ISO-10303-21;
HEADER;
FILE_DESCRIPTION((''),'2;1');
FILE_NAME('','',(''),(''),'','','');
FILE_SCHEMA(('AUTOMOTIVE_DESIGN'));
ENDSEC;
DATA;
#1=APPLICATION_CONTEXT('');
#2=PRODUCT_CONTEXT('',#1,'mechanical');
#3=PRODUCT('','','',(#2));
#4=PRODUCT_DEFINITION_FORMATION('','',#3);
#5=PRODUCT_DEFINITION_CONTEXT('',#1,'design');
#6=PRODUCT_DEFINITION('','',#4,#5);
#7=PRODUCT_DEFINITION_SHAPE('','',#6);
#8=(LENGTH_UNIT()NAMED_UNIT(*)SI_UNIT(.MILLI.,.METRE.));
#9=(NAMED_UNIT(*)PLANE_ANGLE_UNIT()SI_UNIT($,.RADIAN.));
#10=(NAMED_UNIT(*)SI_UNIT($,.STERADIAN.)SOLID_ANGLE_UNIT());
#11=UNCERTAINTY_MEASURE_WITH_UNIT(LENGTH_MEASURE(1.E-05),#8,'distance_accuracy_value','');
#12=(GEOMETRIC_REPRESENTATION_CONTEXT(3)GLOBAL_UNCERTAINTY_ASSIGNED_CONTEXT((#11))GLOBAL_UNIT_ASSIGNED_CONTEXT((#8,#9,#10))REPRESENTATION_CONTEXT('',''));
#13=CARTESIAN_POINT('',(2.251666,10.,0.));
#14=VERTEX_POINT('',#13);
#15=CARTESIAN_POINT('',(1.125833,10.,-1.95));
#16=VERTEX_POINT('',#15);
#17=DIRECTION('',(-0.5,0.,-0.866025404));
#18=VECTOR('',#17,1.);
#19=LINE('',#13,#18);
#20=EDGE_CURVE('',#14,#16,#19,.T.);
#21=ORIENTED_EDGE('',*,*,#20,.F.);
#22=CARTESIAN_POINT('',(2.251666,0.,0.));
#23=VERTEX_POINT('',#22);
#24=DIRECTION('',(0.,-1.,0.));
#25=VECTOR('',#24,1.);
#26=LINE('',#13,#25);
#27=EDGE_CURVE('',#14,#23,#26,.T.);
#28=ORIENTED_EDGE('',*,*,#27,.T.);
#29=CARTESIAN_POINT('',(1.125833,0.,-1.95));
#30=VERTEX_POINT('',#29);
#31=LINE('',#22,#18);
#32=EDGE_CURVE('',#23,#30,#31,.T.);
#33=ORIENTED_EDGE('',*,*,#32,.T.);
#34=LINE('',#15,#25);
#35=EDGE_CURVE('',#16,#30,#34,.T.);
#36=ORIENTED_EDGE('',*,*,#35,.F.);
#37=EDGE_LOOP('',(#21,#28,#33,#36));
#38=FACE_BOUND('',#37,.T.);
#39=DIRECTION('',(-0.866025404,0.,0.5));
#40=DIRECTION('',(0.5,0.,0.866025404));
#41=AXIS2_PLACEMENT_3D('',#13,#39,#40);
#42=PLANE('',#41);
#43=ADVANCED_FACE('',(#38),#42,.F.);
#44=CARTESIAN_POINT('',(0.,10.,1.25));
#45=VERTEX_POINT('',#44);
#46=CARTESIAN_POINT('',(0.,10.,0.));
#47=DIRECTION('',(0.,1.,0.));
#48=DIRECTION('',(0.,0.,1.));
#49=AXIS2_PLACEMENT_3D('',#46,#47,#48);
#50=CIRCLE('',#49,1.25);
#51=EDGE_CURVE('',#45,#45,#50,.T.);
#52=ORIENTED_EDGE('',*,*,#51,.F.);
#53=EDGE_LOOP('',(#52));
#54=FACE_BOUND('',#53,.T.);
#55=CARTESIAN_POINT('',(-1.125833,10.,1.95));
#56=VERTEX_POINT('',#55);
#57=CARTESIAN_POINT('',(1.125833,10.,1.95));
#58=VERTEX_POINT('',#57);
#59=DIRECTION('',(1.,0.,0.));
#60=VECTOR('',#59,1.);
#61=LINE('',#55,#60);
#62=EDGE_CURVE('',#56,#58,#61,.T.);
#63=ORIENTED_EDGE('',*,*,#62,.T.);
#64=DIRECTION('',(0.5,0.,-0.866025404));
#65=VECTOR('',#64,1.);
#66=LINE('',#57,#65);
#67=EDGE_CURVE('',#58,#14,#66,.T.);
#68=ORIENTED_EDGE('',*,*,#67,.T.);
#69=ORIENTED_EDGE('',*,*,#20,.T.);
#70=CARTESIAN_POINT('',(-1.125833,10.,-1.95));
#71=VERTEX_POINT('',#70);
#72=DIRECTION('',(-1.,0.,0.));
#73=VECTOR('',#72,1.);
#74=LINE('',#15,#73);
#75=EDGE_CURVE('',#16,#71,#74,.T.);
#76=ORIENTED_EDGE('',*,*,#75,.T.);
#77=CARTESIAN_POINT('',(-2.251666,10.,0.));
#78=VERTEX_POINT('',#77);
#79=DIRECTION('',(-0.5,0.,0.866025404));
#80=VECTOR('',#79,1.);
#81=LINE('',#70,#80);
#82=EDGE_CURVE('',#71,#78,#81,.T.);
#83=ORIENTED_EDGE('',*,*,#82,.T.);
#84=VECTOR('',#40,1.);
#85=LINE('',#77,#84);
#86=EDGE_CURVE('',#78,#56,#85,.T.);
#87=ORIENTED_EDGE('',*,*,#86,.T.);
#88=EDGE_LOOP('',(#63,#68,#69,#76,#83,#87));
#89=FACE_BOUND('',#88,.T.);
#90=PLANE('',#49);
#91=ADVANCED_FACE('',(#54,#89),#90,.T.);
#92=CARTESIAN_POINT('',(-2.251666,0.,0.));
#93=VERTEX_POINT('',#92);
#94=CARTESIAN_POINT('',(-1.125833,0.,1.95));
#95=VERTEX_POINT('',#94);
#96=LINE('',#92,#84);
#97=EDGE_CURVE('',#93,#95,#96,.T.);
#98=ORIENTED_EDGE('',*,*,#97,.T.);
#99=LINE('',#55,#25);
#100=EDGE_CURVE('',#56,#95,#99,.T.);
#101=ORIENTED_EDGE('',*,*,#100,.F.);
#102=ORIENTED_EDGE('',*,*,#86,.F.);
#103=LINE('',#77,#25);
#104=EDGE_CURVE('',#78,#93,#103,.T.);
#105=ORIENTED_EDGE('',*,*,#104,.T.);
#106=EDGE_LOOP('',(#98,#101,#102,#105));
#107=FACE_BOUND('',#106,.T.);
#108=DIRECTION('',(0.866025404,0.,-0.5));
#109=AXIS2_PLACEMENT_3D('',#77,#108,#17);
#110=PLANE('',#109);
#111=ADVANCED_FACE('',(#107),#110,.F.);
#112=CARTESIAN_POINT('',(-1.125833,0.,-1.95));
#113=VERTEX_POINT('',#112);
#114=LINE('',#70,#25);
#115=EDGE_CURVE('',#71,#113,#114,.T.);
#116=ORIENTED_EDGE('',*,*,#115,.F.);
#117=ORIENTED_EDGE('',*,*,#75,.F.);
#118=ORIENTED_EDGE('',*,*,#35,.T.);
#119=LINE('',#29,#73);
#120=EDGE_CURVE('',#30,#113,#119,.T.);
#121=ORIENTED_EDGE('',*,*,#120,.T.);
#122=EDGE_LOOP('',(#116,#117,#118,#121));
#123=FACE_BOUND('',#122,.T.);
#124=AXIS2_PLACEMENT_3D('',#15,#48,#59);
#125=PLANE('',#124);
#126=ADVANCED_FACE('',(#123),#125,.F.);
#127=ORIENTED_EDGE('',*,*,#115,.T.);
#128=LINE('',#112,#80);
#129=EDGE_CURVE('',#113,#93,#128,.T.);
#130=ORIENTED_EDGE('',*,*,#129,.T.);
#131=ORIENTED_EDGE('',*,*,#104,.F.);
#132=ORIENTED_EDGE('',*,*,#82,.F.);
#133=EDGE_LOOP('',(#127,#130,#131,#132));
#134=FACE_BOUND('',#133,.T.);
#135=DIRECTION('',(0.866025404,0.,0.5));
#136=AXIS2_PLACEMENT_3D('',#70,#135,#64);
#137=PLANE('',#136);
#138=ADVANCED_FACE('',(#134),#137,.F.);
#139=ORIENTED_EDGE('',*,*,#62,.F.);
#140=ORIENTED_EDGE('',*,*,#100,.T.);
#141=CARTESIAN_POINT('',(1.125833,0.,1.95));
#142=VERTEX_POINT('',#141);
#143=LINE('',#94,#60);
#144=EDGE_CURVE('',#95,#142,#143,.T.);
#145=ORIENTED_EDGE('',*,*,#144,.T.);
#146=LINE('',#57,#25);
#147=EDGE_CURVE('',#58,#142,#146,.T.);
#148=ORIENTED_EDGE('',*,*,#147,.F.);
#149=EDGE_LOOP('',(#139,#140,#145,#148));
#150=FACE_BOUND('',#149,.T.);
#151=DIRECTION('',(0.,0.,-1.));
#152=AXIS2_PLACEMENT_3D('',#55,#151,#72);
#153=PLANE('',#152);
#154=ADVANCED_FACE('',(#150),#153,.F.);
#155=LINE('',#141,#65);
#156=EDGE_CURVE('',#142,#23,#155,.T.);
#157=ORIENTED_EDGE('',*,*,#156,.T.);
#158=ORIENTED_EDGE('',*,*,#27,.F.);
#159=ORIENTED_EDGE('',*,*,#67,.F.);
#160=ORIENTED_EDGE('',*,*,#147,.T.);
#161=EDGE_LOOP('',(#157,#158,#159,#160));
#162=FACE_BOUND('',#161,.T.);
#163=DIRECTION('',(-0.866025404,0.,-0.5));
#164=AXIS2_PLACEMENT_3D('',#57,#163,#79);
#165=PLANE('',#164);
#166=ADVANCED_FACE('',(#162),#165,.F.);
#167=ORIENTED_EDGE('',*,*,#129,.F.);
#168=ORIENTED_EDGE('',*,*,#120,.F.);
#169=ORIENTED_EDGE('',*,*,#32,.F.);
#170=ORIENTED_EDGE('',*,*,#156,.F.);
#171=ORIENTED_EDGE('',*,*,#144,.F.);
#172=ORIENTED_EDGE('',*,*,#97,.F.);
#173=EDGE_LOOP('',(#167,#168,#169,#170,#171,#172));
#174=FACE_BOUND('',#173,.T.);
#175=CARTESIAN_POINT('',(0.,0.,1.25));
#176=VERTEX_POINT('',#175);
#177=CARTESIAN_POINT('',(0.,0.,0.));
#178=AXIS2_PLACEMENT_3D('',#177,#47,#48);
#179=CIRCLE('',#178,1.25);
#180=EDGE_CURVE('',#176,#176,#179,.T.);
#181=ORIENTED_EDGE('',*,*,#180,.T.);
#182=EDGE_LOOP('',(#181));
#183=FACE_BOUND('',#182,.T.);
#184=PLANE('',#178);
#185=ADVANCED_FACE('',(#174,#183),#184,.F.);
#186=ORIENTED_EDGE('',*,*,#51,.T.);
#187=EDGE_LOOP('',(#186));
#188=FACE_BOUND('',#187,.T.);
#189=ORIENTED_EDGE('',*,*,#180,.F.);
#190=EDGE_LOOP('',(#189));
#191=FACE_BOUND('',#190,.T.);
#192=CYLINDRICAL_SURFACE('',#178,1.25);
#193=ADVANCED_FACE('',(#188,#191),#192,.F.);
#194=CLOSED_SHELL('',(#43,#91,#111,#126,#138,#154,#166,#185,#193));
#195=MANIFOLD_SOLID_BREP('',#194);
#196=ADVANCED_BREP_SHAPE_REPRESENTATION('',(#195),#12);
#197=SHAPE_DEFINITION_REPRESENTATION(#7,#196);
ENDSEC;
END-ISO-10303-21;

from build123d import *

# Parameters (mm, degrees)
EXTRUDE_1_DEPTH     = 10
SKETCH_2_R          = 1.25
CUT_EXTRUDE_1_DEPTH = 11


with BuildPart() as part:
    # 草图1 → 凸台-拉伸1 (new body)
    with BuildSketch(Plane(origin=(0, 0, 0), x_dir=(1, 0, 0), z_dir=(0, 1, 0))):
        Polygon((2.25166605, 0), (1.125833025, 1.95), (-1.125833025, 1.95), (-2.25166605, 0), (-1.125833025, -1.95), (1.125833025, -1.95), align=None)
    extrude(amount=EXTRUDE_1_DEPTH)

    # 草图2 → 切除-拉伸1 (cut, through all)
    with BuildSketch(Plane(origin=(0, 10, 0), x_dir=(1, 0, 0), z_dir=(0, 1, 0))):
        Circle(SKETCH_2_R)
    extrude(amount=-CUT_EXTRUDE_1_DEPTH, mode=Mode.SUBTRACT)


solid = part.part
